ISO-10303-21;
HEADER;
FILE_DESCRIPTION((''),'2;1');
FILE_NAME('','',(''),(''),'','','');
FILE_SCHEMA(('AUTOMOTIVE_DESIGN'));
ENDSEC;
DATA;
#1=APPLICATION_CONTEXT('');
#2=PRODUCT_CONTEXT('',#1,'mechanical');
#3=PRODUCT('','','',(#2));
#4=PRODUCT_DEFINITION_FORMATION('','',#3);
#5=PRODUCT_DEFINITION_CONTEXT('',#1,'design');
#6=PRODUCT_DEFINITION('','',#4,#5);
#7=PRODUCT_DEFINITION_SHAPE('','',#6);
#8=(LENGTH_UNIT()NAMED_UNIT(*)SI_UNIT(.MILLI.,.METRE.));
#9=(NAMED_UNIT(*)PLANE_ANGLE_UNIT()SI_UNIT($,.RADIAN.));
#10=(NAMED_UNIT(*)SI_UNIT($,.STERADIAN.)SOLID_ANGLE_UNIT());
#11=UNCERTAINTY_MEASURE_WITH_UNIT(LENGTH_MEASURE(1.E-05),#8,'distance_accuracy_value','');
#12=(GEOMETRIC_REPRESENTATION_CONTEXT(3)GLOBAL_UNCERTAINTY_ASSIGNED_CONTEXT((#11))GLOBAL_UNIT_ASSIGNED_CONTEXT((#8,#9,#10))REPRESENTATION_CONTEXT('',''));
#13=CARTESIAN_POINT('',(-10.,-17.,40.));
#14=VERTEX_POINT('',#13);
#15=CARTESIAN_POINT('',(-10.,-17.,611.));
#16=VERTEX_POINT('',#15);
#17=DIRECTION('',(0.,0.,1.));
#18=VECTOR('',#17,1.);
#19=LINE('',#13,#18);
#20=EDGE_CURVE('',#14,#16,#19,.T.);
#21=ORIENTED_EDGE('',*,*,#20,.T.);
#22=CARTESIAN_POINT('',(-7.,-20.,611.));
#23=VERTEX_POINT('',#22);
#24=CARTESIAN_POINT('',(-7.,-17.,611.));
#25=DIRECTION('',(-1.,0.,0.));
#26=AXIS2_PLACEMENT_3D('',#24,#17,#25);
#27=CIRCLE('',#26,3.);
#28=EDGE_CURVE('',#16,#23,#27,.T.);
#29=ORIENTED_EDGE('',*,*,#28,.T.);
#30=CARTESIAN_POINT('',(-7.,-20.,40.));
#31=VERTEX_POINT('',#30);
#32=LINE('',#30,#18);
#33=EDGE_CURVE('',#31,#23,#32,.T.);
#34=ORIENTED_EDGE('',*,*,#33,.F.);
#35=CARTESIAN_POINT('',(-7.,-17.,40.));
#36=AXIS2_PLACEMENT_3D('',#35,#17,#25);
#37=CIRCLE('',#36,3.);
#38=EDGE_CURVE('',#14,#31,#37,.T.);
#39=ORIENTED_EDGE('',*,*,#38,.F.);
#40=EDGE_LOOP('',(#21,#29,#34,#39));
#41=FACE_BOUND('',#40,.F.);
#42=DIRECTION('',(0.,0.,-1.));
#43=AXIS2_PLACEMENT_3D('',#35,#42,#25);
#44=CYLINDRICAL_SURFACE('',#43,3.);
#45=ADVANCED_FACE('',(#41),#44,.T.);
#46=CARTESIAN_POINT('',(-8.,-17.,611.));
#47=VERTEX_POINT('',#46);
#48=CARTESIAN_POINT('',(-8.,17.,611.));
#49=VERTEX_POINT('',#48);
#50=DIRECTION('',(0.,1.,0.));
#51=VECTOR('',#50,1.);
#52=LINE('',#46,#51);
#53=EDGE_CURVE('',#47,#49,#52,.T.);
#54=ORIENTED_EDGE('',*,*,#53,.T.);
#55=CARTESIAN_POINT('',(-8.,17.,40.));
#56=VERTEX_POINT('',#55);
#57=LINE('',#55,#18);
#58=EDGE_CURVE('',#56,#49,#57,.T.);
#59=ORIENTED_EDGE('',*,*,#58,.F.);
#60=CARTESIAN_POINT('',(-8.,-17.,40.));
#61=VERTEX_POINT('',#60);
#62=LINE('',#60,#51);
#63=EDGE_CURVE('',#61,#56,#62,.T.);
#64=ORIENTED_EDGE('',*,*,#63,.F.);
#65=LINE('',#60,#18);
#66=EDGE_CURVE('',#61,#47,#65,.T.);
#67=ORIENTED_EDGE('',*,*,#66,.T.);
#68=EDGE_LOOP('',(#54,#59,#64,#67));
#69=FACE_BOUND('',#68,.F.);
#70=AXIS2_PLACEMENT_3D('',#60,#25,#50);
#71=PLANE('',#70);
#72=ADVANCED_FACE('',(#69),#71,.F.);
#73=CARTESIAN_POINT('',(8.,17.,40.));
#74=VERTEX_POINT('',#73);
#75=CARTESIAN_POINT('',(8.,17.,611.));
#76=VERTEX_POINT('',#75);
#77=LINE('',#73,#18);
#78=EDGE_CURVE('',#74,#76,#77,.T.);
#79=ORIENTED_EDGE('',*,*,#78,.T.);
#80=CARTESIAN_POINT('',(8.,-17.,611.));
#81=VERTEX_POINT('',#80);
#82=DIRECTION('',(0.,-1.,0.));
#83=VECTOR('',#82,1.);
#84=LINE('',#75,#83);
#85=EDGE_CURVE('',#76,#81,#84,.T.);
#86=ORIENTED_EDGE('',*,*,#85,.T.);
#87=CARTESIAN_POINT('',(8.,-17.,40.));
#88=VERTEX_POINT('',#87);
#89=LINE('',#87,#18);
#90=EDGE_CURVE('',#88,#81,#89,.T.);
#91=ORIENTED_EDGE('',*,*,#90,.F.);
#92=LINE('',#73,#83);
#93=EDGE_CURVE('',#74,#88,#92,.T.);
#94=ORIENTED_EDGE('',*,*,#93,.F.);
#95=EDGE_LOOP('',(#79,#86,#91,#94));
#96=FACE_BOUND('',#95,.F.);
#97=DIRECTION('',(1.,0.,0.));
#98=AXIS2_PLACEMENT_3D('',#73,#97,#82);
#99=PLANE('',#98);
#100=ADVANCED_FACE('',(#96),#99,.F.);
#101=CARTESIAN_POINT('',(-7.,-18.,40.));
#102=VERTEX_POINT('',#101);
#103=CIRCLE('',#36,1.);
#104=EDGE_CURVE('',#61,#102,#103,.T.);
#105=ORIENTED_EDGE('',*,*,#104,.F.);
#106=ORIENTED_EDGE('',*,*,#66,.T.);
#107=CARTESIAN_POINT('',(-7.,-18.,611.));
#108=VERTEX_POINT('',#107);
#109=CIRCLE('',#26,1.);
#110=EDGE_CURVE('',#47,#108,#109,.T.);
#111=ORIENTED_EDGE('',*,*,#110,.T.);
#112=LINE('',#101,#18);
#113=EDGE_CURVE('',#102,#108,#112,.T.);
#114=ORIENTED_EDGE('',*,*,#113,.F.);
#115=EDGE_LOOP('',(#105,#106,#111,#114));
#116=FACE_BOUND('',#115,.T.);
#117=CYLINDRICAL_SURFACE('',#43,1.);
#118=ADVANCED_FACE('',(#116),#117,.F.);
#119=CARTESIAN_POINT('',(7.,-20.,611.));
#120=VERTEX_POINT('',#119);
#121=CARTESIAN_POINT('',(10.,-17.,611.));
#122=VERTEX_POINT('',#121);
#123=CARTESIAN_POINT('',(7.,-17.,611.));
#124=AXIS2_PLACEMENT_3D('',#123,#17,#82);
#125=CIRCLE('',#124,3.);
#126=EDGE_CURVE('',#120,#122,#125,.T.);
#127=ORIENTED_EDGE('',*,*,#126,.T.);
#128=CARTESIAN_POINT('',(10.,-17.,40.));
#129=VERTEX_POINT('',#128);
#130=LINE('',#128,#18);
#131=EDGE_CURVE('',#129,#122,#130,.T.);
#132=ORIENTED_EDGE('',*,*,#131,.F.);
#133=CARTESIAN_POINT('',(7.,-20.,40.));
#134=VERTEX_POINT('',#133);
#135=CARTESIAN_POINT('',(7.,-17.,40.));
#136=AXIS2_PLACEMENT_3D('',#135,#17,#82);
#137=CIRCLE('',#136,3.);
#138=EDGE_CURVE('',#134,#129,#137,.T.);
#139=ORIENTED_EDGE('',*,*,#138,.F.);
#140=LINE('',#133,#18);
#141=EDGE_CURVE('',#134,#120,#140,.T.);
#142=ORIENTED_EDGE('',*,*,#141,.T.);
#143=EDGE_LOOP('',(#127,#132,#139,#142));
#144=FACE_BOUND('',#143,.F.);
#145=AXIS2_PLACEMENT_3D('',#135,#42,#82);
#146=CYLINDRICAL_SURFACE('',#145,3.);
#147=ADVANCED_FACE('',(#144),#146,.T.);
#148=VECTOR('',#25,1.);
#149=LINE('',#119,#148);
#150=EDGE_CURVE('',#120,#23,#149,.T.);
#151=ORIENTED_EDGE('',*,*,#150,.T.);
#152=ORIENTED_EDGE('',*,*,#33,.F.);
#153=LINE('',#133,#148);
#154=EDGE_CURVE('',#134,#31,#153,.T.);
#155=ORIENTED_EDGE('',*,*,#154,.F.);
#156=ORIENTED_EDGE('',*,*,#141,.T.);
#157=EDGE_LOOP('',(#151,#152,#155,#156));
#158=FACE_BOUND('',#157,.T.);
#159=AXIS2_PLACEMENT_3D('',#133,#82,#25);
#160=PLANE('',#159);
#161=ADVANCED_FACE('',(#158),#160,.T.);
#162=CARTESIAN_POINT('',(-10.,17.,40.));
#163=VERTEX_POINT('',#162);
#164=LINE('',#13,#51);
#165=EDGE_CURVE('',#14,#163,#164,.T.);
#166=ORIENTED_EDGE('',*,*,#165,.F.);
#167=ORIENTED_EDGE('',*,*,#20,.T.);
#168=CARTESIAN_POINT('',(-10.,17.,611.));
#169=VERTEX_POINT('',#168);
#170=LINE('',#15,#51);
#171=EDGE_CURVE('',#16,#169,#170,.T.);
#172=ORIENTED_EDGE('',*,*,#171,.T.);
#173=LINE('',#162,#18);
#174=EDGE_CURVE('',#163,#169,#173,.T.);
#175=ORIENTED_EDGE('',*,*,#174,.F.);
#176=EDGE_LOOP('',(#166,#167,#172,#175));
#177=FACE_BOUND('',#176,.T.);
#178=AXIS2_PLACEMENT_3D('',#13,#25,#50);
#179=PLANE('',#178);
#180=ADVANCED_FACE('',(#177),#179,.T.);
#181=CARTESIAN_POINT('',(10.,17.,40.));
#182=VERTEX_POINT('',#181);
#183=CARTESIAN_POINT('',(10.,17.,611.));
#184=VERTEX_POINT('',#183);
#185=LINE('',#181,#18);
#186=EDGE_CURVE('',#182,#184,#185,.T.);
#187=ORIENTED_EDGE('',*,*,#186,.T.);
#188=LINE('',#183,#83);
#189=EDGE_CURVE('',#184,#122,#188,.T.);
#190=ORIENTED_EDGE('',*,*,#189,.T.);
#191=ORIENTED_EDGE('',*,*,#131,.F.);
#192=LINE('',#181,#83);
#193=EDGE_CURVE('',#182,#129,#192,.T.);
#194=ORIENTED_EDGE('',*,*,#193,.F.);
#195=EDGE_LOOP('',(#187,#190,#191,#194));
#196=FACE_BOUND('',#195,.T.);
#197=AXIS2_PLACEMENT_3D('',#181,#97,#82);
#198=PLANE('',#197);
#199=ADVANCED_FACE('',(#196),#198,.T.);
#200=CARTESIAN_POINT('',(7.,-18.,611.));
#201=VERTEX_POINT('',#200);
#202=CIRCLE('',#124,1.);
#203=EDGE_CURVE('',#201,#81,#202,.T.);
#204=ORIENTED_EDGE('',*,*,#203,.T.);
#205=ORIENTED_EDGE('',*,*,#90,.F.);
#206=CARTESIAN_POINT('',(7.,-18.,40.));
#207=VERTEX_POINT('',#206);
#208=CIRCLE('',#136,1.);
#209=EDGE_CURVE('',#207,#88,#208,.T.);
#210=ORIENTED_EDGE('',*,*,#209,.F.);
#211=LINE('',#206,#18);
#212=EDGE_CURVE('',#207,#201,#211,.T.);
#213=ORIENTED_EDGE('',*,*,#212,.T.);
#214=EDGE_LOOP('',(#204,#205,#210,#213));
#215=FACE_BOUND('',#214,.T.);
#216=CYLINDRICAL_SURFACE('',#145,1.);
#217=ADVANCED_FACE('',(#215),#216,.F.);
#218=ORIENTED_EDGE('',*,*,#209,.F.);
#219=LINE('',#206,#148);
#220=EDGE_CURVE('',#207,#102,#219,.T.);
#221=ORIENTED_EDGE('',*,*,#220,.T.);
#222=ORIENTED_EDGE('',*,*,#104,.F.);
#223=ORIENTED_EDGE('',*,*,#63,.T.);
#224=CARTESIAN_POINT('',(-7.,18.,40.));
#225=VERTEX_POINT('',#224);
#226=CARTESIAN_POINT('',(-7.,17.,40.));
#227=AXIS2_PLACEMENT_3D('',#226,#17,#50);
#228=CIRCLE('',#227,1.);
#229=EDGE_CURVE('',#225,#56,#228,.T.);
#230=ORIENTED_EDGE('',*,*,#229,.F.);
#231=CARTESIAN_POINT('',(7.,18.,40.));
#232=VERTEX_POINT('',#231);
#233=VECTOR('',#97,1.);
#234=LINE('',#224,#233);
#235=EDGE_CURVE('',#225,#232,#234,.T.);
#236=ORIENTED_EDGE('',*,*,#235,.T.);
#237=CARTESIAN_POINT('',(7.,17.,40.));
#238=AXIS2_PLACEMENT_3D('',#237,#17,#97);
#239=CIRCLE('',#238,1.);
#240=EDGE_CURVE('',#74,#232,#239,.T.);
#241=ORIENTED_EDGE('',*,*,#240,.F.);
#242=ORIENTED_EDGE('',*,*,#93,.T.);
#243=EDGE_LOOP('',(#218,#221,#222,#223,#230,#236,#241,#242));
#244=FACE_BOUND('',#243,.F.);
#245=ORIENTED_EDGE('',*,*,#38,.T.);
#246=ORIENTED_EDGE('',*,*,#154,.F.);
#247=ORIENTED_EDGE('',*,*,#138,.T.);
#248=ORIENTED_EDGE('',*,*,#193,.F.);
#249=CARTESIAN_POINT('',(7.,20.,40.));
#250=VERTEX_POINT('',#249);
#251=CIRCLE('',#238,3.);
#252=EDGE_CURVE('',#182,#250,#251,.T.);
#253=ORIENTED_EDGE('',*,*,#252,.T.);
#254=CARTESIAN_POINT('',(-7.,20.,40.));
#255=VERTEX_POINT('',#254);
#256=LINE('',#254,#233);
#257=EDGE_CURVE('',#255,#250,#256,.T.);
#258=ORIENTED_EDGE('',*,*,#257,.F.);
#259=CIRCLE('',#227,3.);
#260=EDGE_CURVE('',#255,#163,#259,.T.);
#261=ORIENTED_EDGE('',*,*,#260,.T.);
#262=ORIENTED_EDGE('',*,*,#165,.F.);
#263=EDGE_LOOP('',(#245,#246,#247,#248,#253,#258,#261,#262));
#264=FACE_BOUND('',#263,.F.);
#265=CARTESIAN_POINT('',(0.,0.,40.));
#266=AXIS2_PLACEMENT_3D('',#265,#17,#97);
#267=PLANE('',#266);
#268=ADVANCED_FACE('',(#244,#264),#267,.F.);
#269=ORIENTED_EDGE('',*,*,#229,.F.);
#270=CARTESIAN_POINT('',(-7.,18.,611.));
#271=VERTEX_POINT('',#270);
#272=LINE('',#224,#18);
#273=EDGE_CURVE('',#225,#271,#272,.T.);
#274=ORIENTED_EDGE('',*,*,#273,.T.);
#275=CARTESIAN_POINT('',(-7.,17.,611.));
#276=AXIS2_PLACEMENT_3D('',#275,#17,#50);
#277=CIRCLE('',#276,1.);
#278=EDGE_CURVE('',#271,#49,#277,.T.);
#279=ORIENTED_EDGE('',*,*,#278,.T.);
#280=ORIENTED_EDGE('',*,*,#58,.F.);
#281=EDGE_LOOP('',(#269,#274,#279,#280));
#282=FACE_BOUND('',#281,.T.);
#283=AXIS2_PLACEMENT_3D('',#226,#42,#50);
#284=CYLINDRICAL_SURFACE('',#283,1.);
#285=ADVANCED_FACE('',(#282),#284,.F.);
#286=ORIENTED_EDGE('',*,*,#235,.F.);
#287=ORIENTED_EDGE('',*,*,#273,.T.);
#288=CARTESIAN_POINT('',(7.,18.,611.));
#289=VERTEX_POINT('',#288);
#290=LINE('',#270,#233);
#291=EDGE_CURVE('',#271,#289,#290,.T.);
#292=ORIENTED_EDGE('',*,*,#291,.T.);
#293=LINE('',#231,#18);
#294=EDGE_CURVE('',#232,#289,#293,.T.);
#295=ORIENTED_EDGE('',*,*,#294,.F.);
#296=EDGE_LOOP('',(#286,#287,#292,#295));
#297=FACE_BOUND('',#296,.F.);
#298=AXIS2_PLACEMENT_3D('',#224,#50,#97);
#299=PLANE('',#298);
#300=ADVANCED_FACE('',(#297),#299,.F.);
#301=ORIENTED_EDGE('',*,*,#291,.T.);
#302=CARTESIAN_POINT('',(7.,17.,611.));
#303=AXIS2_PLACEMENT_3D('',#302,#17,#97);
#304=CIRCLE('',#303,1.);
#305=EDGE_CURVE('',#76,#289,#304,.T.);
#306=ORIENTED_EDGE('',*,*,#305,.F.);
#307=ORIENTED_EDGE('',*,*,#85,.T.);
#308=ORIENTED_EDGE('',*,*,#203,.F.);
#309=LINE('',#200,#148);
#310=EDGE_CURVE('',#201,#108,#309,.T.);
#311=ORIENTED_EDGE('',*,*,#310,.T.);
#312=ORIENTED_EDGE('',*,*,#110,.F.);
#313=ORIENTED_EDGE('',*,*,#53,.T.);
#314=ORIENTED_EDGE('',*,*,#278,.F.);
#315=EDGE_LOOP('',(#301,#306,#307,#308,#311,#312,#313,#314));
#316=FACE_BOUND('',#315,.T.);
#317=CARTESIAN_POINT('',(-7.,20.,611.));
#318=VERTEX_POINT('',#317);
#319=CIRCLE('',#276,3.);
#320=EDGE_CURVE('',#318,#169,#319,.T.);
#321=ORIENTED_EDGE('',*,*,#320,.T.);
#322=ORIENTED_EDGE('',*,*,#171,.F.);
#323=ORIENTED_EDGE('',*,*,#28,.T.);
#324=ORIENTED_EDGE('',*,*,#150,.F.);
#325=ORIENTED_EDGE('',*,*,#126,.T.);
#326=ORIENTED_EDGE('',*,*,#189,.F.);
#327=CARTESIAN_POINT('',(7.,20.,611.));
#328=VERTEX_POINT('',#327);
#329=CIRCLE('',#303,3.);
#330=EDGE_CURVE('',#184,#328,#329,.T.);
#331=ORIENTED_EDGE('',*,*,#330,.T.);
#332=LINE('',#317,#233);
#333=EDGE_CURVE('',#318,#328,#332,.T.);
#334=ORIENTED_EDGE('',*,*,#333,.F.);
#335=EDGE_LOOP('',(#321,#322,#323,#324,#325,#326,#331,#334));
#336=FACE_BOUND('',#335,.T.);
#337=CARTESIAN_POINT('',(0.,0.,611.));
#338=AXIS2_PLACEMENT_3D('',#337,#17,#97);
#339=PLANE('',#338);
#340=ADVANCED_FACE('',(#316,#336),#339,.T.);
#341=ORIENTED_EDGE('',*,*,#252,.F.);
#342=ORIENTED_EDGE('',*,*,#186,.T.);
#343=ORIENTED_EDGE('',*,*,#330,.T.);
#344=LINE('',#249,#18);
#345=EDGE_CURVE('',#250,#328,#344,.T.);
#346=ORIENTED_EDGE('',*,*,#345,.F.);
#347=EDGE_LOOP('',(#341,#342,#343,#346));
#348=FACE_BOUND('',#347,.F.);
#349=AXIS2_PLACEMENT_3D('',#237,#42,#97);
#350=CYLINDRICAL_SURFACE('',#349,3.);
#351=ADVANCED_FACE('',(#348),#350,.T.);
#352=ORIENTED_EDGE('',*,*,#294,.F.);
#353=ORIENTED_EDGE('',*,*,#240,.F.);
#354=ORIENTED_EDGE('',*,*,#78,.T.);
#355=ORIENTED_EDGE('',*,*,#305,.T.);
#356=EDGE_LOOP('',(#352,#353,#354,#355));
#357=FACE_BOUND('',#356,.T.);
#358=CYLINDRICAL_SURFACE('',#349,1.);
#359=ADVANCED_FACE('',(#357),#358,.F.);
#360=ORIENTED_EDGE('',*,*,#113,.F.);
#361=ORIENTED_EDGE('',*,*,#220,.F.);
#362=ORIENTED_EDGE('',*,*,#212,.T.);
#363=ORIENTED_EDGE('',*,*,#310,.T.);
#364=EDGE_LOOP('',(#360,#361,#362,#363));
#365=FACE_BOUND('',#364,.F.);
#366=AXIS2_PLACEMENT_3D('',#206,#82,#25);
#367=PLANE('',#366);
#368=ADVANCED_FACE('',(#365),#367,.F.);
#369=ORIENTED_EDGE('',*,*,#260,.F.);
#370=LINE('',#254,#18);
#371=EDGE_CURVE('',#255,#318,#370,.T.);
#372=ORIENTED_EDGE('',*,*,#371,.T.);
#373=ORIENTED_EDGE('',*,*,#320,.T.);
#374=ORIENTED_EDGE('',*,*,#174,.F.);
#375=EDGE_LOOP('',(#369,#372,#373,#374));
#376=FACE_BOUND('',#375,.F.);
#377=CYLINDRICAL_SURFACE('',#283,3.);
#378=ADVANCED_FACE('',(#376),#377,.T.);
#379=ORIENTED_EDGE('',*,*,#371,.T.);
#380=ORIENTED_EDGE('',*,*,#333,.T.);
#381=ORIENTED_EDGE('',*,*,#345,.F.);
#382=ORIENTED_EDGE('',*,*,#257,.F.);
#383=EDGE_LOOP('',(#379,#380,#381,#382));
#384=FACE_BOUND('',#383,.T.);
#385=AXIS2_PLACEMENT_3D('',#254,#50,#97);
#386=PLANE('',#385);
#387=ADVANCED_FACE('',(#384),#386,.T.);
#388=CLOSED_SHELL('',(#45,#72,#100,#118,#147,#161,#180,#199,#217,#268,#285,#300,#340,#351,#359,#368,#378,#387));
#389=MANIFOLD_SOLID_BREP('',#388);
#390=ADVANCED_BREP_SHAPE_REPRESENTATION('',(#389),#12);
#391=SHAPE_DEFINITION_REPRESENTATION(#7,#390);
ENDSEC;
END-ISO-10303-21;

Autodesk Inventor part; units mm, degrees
ref_plane "Start plane" through (0, 0, 40) normal (0, 0, 1) x (1, 0, 0)
ref_plane "End plane" through (0, 0, 611) normal (0, 0, 1) x (1, 0, 0)
sketch "Sketch" plane through (0, 0, 0) normal (0, 0, 1) x (1, 0, 0)
  line L0 (-10, -17) -> (-10, 17)
  line L1 (-7, 20) -> (7, 20)
  line L2 (10, 17) -> (10, -17)
  line L3 (7, -20) -> (-7, -20)
  arc A0 (-10, -17) -> (-7, -20) centre (-7, -17) ccw
  arc A1 (-7, 20) -> (-10, 17) centre (-7, 17) ccw
  arc A2 (10, 17) -> (7, 20) centre (7, 17) ccw
  arc A3 (7, -20) -> (10, -17) centre (7, -17) ccw
  arc A4 (-7, 18) -> (-8, 17) centre (-7, 17) ccw
  line L4 (-7, 18) -> (7, 18)
  arc A5 (8, 17) -> (7, 18) centre (7, 17) ccw
  line L5 (8, 17) -> (8, -17)
  arc A6 (7, -18) -> (8, -17) centre (7, -17) ccw
  line L6 (7, -18) -> (-7, -18)
  arc A7 (-8, -17) -> (-7, -18) centre (-7, -17) ccw
  line L7 (-8, -17) -> (-8, 17)
  line L8 (0, 28.8698) -> (0, -28.8698) construction
  line L9 (-14.8698, 0) -> (14.8698, 0) construction
  dimension "d7" = 3
  dimension "d10" = 40
  dimension "d11" = 20
  dimension "d12" = 2
  dimension "d15" = 20
  dimension "d16" = 10
extrude "Body" add sketch "Sketch" along normal up to surface (571 mm away) from surface at 40
sketch "Sketch3" plane through (0, 0, 0) normal (0, 0, 1) x (1, 0, 0)
  line L0 (0, 0) -> (10, 0)
ref_plane "Work Plane3" through (0, 0, 0) normal (0, -1, 0) x (1, 0, 0)
sketch "Sketch4" plane through (0, 0, 0) normal (0, -1, 0) x (1, 0, 0)
  line L0 (-2, 40) -> (12, 40)
  line L1 (-2, 611) -> (12, 611)
  dimension "d18" = 571
ref_plane "Work Plane4" through (-37, -100, 611) normal (0, 0, 1) x (1, 0, 0)
split "Split1" plane through (-37, -100, 611) removes the side toward (0, 0, 1)
ref_plane "Work Plane5" through (310, 22, 40) normal (0, 0, -1) x (-1, 0, 0)
split "Split2" plane through (310, 22, 40) removes the side toward (0, 0, -1)
equation "\"d7\" = G_IR"
equation "\"d10\" = G_H"
equation "\"d11\" = G_W"
equation "\"d12\" = G_T"
equation "\"d15\" = 0.5 * d10"
equation "\"d16\" = 0.5 * d11"
equation "\"d3\" = G_L"
equation "\"G_W\" = 20"
equation "\"G_H\" = 40"
equation "\"G_T\" = 2"
equation "\"G_IR\" = 3"
equation "\"G_L\" = d18"
equation "\"G_OFFSET_START\" = -40"
equation "\"G_OFFSET_END\" = -40"
equation "\"d13\" = -G_OFFSET_START"
equation "\"d14\" = G_OFFSET_END + B_L"
equation "\"B_L\" = 651"
properties part number "UNI EN 10305-5 - 40 x 20 x 2  - 571" material "Steel, Mild"
